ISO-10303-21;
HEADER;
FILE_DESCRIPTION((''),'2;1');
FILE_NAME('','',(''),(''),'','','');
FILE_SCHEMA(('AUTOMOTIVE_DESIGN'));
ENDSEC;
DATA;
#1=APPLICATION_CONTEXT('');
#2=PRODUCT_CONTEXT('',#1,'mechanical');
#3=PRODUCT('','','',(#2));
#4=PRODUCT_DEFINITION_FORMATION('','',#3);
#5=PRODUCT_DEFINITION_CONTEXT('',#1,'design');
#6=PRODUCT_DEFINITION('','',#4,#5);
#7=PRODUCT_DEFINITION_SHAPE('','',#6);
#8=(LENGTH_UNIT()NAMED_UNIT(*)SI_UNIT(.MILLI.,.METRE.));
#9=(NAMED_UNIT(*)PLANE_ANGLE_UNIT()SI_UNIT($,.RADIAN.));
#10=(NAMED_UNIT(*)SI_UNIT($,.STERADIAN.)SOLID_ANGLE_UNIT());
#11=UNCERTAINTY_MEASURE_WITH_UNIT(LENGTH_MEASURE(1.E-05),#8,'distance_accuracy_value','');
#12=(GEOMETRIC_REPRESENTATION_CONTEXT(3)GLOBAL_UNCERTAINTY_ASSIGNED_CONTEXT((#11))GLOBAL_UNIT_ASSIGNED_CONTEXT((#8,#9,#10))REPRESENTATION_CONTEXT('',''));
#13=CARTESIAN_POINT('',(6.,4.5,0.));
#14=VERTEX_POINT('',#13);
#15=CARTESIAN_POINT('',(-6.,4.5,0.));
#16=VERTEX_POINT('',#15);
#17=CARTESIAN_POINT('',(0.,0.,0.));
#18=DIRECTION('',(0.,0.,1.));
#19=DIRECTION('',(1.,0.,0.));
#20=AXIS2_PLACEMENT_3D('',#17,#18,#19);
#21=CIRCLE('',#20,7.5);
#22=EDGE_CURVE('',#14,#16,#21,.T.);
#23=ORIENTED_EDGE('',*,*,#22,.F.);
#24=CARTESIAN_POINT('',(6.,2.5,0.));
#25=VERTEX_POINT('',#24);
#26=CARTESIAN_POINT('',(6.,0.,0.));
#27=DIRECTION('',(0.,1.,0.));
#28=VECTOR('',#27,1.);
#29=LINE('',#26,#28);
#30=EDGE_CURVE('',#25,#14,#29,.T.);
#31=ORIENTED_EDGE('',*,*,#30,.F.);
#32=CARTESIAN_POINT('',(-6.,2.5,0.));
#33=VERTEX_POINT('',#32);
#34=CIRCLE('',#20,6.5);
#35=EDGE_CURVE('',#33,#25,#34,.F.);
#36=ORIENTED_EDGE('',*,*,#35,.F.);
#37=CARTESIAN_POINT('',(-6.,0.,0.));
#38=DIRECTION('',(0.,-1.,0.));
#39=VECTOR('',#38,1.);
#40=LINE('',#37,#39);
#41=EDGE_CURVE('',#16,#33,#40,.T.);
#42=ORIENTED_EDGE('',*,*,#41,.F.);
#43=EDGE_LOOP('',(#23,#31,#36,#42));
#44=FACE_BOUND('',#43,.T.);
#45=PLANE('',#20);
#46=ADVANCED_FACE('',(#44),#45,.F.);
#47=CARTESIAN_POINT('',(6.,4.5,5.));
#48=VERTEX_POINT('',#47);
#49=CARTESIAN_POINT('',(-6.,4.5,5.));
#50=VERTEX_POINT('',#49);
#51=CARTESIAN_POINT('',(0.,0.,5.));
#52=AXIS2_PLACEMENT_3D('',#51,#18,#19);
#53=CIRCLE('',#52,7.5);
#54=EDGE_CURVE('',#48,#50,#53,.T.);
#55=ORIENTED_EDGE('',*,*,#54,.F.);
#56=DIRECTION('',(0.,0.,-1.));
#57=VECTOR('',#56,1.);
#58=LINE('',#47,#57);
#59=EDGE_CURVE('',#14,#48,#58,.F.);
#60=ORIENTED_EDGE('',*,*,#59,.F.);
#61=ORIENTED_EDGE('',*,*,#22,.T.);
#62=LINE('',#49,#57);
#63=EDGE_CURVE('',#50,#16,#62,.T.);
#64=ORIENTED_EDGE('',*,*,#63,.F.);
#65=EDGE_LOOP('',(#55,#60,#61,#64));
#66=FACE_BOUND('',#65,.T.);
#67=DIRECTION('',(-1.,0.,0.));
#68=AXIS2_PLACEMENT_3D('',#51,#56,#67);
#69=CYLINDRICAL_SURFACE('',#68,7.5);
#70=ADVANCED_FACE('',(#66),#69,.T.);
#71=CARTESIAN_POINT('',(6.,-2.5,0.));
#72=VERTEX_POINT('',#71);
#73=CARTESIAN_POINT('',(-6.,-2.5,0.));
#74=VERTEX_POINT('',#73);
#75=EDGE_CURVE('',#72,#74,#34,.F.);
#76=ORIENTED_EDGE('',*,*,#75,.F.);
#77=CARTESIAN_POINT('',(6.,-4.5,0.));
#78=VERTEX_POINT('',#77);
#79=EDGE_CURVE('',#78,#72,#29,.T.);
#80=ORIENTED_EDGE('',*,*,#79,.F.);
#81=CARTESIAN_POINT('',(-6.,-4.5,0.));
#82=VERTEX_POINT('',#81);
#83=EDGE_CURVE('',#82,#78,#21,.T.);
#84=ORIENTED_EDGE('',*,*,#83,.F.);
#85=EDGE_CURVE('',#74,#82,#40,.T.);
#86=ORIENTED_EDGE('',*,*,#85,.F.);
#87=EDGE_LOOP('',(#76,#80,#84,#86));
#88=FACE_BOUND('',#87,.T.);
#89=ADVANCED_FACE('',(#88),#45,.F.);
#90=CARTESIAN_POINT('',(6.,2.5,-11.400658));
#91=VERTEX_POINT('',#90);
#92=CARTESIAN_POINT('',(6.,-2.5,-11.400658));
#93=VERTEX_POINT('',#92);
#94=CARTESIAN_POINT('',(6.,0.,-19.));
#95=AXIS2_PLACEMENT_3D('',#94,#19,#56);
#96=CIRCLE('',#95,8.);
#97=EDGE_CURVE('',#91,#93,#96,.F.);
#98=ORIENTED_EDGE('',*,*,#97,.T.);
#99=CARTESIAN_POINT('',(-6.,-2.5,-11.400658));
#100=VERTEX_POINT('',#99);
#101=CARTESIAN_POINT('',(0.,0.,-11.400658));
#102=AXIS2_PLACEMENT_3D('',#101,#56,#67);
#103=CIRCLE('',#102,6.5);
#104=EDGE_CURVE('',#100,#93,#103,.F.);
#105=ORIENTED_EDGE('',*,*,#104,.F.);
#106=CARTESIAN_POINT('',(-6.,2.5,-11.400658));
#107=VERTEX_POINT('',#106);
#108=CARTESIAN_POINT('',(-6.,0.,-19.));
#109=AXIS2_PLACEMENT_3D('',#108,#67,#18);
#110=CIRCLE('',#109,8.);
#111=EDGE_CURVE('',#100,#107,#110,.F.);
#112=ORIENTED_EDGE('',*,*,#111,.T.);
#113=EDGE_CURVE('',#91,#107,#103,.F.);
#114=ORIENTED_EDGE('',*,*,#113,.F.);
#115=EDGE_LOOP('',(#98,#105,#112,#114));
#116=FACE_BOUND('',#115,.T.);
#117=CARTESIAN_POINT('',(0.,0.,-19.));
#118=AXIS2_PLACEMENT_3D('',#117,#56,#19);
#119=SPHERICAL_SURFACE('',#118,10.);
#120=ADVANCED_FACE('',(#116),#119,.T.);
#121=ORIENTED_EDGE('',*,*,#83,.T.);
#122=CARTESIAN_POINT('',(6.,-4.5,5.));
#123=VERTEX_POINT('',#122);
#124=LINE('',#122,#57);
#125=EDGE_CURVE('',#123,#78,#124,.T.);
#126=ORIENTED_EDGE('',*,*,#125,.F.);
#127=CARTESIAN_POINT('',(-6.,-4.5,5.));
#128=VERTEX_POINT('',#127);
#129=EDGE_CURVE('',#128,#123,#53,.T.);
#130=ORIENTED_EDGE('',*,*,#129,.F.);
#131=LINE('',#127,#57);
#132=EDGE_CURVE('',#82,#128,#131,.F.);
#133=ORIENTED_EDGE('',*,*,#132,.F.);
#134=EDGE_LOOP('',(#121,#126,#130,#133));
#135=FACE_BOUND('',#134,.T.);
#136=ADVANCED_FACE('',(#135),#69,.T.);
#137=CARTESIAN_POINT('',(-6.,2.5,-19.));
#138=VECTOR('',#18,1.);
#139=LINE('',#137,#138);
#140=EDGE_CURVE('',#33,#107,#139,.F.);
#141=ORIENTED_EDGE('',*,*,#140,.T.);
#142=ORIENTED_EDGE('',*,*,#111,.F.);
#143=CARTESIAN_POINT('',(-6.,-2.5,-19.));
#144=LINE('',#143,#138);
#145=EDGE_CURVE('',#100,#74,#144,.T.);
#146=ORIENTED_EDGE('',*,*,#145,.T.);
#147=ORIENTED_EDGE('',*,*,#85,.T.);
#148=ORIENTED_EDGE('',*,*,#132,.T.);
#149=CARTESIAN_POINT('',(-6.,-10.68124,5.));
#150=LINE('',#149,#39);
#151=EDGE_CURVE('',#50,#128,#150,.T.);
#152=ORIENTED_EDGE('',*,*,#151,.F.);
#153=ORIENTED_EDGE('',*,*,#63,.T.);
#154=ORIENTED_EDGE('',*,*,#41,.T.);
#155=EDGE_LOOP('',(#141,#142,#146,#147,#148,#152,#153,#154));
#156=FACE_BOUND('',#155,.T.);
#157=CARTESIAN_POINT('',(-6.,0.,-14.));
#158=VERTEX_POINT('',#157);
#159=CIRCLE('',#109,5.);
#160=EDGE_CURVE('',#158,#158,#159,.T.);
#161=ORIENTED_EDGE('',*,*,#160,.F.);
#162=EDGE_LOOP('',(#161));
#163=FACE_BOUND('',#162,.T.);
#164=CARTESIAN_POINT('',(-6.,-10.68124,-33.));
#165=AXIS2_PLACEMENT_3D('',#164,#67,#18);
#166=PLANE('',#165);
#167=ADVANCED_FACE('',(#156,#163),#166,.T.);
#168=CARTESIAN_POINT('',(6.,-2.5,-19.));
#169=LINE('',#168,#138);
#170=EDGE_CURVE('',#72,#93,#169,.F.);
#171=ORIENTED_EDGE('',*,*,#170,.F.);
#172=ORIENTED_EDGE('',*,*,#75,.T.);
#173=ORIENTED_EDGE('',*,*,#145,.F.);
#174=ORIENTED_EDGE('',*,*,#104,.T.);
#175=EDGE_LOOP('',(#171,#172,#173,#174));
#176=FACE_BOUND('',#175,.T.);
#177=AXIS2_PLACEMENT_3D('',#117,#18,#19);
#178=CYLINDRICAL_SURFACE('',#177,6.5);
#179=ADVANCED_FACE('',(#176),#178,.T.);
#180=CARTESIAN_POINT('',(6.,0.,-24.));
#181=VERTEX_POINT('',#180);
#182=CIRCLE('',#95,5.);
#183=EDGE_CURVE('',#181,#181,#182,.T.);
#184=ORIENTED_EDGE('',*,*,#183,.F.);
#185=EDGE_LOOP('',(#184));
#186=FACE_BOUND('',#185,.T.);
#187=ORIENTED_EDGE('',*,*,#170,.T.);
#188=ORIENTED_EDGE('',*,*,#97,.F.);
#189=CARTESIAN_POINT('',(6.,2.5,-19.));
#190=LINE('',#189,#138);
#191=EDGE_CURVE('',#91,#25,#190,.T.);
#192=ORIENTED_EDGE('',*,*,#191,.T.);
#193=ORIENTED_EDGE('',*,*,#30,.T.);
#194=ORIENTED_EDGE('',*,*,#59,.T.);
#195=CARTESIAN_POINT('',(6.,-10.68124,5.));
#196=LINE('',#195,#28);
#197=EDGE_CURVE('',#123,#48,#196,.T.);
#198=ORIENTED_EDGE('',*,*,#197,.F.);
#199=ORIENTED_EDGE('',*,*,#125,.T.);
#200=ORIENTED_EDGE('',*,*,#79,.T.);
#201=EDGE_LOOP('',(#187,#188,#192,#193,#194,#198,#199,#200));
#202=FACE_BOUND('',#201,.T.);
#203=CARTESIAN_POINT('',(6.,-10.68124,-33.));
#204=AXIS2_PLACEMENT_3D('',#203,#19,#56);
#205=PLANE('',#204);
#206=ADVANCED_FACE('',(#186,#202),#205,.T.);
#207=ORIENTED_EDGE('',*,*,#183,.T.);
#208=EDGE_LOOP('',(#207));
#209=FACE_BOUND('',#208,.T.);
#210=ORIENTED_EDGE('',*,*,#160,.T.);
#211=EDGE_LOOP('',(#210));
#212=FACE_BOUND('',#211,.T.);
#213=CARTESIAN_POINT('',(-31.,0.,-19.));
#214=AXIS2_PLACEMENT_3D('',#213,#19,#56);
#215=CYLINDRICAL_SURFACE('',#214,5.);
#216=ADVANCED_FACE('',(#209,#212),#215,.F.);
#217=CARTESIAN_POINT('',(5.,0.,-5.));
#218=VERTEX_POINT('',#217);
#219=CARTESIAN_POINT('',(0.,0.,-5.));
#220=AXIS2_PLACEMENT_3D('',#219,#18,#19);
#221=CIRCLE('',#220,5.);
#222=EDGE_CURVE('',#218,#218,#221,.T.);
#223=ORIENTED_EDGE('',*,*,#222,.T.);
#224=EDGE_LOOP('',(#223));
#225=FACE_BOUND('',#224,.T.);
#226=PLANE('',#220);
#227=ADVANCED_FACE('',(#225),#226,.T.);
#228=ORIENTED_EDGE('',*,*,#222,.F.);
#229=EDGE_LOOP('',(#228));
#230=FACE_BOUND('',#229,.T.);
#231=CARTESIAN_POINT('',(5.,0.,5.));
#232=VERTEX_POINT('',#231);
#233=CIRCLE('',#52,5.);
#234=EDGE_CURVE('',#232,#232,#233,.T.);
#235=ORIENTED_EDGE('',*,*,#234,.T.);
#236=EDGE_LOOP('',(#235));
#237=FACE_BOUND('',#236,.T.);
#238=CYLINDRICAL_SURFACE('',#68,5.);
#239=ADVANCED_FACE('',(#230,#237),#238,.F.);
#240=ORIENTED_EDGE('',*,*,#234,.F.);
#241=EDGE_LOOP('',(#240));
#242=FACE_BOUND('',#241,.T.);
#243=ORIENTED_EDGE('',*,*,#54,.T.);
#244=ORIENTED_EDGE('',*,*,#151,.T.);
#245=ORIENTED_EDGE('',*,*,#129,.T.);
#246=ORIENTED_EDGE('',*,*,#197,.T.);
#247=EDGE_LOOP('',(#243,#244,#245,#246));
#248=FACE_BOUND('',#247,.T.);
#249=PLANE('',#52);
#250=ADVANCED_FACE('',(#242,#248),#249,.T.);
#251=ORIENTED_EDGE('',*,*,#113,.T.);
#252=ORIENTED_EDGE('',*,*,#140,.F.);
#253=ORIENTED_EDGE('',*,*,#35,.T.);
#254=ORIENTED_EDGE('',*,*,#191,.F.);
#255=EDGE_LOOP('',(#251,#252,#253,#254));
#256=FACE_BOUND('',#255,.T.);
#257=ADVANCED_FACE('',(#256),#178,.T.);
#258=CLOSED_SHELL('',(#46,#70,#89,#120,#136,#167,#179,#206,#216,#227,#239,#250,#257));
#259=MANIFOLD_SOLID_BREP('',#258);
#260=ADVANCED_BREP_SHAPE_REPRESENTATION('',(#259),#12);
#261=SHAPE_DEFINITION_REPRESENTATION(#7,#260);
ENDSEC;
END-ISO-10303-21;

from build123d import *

# Parameters (mm, degrees)
SKETCH1_R           = 7.5
SKETCH1_R_2         = 5
BOSS_EXTRUDE1_DEPTH = 5
SKETCH2_R           = 6.5
BOSS_EXTRUDE2_DEPTH = 19
SKETCH4_W           = 21.748753338
SKETCH4_H           = 30.770097212
SKETCH4_W_2         = 12
SKETCH4_H_2         = 21.36247908
CUT_EXTRUDE1_DEPTH  = 38
SKETCH5_R           = 5
CUT_EXTRUDE2_DEPTH  = 5
SKETCH6_R           = 5
CUT_EXTRUDE3_DEPTH  = 37


with BuildPart() as part:
    # Sketch1 → Boss-Extrude1 (new body)
    with BuildSketch(Plane.XY):
        Circle(SKETCH1_R)
        Circle(SKETCH1_R_2, mode=Mode.SUBTRACT)
    extrude(amount=BOSS_EXTRUDE1_DEPTH)

    # Sketch2 → Boss-Extrude2 (add)
    with BuildSketch(Plane(origin=(0, 0, 0), x_dir=(-1, 0, 0), z_dir=(0, 0, -1))):
        Circle(SKETCH2_R)
    extrude(amount=BOSS_EXTRUDE2_DEPTH)

    # Sketch3 → Revolve9 (revolve)
    with BuildSketch(Plane(origin=(0, 0, 0), x_dir=(1, 0, 0), z_dir=(0, 1, 0))):
        with BuildLine():
            Line((0, 29), (0, 9))
            ThreePointArc((0, 9), (-10, 19), (0, 29))
        make_face()
    revolve(axis=Axis((0, 0, -29), (0, 0, 1)))

    # Sketch4 → Cut-Extrude1 (cut)
    with BuildSketch(Plane.XY.offset(5)):
        Rectangle(SKETCH4_W, SKETCH4_H)
        Rectangle(SKETCH4_W_2, SKETCH4_H_2, mode=Mode.SUBTRACT)
    extrude(amount=-CUT_EXTRUDE1_DEPTH, mode=Mode.SUBTRACT)

    # Sketch5 → Cut-Extrude2 (cut)
    with BuildSketch(Plane.XY):
        Circle(SKETCH5_R)
    extrude(amount=-CUT_EXTRUDE2_DEPTH, mode=Mode.SUBTRACT)

    # Sketch6 → Cut-Extrude3 (cut)
    with BuildSketch(Plane(origin=(6, 0, 0), x_dir=(0, 0, -1), z_dir=(1, 0, 0))):
        with Locations((19, 0)):
            Circle(SKETCH6_R)
    extrude(amount=-CUT_EXTRUDE3_DEPTH, mode=Mode.SUBTRACT)


solid = part.part
